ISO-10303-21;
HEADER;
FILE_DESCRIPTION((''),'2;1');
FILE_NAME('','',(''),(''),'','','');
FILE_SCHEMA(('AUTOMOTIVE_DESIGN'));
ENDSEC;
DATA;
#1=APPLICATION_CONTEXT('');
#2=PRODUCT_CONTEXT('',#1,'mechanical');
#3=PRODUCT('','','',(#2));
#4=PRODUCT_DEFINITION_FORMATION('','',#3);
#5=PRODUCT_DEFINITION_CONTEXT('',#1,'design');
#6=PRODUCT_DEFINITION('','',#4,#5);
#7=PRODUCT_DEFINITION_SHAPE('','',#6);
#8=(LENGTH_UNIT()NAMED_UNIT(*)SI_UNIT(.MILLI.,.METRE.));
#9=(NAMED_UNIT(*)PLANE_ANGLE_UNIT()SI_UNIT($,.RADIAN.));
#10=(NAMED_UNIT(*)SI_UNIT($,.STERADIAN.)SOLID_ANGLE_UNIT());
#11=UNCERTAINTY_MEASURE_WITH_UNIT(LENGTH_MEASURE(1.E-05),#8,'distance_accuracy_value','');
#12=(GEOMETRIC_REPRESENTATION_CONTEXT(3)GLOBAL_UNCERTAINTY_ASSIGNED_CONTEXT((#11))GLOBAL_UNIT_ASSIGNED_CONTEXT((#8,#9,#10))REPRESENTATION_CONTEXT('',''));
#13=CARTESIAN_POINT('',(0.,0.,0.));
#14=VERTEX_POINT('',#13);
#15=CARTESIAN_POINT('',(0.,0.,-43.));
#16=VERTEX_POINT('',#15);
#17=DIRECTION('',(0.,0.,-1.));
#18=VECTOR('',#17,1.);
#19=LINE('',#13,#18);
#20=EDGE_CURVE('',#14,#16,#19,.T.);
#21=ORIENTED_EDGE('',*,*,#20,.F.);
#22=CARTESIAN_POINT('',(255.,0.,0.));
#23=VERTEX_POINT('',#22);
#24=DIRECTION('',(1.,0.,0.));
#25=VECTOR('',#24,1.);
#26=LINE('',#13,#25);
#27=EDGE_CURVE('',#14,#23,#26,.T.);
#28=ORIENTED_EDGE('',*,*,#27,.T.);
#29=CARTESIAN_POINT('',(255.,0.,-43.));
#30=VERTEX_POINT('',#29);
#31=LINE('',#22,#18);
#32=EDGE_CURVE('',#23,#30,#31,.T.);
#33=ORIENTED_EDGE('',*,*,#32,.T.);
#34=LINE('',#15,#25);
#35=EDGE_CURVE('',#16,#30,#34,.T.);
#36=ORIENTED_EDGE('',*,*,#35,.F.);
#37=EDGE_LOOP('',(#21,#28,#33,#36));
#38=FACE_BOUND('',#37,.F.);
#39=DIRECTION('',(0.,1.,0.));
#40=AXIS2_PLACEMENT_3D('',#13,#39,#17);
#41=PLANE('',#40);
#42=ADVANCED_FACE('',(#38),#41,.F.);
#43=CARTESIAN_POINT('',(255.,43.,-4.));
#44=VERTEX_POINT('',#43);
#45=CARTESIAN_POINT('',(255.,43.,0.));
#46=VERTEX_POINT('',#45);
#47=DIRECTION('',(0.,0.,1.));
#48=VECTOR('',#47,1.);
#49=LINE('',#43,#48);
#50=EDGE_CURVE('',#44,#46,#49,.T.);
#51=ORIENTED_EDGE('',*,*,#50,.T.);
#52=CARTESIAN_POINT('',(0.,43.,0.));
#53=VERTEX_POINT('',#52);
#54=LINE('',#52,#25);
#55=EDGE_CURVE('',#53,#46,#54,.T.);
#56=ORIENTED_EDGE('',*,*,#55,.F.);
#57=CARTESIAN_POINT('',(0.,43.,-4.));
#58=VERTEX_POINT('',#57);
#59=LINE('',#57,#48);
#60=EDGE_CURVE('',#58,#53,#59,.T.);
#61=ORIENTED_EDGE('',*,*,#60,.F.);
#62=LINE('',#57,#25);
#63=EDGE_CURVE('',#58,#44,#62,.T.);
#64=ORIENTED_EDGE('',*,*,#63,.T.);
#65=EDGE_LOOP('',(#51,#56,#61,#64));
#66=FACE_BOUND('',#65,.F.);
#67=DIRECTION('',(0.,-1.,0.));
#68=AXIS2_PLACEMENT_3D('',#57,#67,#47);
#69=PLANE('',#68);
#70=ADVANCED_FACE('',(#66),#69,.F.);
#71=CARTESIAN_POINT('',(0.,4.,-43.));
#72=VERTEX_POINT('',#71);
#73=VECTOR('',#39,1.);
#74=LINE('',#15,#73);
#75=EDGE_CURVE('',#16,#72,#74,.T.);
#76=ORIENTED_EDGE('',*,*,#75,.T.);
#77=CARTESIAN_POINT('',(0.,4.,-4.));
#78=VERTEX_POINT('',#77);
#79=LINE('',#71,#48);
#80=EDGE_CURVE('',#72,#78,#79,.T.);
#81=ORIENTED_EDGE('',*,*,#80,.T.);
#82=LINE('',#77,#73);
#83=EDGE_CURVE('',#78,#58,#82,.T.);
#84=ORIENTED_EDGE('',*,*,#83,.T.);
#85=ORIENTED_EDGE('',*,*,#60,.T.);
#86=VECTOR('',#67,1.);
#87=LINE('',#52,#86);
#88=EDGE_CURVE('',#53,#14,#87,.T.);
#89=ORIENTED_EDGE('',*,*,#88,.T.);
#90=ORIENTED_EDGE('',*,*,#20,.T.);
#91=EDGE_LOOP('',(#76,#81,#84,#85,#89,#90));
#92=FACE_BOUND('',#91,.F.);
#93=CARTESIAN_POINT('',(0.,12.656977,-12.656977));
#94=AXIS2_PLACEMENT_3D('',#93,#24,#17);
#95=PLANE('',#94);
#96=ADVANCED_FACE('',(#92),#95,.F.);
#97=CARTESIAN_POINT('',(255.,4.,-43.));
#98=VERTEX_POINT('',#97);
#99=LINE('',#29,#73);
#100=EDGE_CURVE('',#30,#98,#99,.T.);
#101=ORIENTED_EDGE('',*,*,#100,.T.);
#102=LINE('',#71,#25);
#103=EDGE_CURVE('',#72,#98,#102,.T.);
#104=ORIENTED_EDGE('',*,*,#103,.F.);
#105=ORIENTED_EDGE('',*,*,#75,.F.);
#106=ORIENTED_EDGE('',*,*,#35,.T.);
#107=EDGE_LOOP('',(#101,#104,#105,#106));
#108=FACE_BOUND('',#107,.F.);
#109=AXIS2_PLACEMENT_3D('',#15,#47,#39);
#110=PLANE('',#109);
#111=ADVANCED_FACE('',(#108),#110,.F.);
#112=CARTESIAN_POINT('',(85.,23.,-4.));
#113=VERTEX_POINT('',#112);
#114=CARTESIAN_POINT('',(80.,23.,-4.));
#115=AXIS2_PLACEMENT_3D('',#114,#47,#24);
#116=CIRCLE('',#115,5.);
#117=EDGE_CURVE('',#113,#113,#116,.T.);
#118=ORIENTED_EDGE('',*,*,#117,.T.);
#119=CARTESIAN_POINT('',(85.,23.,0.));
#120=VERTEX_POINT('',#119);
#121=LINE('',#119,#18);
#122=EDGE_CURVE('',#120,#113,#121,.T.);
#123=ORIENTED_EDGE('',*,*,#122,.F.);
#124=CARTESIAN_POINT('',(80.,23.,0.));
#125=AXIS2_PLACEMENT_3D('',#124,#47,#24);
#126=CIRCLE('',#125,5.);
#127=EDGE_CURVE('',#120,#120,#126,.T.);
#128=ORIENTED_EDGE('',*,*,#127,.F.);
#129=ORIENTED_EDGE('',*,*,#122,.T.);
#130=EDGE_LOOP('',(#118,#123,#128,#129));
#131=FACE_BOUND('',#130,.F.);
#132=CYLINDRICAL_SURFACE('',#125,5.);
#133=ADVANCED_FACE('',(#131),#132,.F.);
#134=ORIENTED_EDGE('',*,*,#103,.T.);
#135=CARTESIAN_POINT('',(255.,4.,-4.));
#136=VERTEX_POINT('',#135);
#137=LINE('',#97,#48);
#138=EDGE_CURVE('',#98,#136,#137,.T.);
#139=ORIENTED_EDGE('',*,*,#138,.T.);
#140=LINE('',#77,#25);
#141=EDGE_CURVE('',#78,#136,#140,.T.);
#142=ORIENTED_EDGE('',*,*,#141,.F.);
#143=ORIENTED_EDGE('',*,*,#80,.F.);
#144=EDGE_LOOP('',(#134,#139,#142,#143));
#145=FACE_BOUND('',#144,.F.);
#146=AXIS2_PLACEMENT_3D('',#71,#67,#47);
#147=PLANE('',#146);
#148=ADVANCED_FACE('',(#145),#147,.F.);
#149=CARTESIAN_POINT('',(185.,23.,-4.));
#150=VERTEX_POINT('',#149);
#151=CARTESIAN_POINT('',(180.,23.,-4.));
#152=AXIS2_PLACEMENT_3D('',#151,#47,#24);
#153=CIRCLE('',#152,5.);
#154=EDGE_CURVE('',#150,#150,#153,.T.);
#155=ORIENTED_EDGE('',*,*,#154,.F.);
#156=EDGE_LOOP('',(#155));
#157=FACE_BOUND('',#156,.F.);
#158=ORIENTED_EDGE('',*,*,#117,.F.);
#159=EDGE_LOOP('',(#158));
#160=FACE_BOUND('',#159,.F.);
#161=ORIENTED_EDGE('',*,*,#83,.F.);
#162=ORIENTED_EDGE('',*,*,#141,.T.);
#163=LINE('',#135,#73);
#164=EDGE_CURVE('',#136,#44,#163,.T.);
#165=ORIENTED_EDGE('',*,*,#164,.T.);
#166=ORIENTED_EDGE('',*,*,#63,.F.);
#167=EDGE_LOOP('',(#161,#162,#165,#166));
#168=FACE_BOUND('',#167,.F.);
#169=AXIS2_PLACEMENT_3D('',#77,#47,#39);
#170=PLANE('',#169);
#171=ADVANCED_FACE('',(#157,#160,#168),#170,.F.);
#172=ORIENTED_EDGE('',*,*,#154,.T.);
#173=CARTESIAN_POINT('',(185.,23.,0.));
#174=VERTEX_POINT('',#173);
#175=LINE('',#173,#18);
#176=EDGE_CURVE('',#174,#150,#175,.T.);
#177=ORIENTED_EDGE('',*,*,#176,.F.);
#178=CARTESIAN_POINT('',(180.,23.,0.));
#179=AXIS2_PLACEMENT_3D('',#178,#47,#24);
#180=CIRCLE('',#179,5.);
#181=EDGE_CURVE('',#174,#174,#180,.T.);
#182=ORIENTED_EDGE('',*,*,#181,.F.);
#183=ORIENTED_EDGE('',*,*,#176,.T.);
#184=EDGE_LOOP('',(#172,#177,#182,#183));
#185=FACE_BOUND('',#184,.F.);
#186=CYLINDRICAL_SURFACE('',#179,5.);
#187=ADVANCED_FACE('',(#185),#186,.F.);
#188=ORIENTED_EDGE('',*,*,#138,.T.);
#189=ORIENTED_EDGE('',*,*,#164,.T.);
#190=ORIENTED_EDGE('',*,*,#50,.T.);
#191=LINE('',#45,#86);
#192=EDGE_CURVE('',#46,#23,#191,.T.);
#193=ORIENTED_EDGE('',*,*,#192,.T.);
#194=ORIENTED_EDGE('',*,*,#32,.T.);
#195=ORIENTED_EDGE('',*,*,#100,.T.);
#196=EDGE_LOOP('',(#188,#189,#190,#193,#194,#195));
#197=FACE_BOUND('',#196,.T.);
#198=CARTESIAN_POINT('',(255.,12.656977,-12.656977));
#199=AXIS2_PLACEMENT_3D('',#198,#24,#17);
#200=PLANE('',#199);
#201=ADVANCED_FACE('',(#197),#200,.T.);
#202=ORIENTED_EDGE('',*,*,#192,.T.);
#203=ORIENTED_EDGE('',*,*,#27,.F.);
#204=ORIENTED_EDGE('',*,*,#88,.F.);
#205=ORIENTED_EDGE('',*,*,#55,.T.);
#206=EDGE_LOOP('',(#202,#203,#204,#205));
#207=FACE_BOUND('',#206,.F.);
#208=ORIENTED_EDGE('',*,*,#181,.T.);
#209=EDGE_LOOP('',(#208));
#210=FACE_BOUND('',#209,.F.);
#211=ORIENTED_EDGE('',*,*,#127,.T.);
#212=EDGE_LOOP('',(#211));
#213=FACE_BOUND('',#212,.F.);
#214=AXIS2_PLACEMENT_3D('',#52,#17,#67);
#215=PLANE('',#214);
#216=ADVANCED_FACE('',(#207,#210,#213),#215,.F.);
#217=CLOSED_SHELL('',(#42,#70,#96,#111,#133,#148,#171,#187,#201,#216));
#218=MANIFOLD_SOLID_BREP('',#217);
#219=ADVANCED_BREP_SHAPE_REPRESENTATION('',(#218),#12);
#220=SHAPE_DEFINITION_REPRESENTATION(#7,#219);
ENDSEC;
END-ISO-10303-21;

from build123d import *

# Parameters (mm, degrees)
EXTRUDE_1_DEPTH     = 255
SKETCH_2_R          = 5
CUT_EXTRUDE_1_DEPTH = 44


with BuildPart() as part:
    # Эскиз1 → Вытянуть-Тонкостенный1 (new body)
    with BuildSketch(Plane(origin=(0, 0, 0), x_dir=(0, 0, -1), z_dir=(1, 0, 0))):
        Polygon((0, 43), (0, 0), (43, 0), (43, 4), (4, 4), (4, 43), align=None)
    extrude(amount=EXTRUDE_1_DEPTH)

    # Эскиз2 → Вырез-Вытянуть1 (cut, through all)
    with BuildSketch(Plane.XY):
        with Locations((80, 23)):
            Circle(SKETCH_2_R)
        with Locations((180, 23)):
            Circle(SKETCH_2_R)
    extrude(amount=-CUT_EXTRUDE_1_DEPTH, mode=Mode.SUBTRACT)


solid = part.part
